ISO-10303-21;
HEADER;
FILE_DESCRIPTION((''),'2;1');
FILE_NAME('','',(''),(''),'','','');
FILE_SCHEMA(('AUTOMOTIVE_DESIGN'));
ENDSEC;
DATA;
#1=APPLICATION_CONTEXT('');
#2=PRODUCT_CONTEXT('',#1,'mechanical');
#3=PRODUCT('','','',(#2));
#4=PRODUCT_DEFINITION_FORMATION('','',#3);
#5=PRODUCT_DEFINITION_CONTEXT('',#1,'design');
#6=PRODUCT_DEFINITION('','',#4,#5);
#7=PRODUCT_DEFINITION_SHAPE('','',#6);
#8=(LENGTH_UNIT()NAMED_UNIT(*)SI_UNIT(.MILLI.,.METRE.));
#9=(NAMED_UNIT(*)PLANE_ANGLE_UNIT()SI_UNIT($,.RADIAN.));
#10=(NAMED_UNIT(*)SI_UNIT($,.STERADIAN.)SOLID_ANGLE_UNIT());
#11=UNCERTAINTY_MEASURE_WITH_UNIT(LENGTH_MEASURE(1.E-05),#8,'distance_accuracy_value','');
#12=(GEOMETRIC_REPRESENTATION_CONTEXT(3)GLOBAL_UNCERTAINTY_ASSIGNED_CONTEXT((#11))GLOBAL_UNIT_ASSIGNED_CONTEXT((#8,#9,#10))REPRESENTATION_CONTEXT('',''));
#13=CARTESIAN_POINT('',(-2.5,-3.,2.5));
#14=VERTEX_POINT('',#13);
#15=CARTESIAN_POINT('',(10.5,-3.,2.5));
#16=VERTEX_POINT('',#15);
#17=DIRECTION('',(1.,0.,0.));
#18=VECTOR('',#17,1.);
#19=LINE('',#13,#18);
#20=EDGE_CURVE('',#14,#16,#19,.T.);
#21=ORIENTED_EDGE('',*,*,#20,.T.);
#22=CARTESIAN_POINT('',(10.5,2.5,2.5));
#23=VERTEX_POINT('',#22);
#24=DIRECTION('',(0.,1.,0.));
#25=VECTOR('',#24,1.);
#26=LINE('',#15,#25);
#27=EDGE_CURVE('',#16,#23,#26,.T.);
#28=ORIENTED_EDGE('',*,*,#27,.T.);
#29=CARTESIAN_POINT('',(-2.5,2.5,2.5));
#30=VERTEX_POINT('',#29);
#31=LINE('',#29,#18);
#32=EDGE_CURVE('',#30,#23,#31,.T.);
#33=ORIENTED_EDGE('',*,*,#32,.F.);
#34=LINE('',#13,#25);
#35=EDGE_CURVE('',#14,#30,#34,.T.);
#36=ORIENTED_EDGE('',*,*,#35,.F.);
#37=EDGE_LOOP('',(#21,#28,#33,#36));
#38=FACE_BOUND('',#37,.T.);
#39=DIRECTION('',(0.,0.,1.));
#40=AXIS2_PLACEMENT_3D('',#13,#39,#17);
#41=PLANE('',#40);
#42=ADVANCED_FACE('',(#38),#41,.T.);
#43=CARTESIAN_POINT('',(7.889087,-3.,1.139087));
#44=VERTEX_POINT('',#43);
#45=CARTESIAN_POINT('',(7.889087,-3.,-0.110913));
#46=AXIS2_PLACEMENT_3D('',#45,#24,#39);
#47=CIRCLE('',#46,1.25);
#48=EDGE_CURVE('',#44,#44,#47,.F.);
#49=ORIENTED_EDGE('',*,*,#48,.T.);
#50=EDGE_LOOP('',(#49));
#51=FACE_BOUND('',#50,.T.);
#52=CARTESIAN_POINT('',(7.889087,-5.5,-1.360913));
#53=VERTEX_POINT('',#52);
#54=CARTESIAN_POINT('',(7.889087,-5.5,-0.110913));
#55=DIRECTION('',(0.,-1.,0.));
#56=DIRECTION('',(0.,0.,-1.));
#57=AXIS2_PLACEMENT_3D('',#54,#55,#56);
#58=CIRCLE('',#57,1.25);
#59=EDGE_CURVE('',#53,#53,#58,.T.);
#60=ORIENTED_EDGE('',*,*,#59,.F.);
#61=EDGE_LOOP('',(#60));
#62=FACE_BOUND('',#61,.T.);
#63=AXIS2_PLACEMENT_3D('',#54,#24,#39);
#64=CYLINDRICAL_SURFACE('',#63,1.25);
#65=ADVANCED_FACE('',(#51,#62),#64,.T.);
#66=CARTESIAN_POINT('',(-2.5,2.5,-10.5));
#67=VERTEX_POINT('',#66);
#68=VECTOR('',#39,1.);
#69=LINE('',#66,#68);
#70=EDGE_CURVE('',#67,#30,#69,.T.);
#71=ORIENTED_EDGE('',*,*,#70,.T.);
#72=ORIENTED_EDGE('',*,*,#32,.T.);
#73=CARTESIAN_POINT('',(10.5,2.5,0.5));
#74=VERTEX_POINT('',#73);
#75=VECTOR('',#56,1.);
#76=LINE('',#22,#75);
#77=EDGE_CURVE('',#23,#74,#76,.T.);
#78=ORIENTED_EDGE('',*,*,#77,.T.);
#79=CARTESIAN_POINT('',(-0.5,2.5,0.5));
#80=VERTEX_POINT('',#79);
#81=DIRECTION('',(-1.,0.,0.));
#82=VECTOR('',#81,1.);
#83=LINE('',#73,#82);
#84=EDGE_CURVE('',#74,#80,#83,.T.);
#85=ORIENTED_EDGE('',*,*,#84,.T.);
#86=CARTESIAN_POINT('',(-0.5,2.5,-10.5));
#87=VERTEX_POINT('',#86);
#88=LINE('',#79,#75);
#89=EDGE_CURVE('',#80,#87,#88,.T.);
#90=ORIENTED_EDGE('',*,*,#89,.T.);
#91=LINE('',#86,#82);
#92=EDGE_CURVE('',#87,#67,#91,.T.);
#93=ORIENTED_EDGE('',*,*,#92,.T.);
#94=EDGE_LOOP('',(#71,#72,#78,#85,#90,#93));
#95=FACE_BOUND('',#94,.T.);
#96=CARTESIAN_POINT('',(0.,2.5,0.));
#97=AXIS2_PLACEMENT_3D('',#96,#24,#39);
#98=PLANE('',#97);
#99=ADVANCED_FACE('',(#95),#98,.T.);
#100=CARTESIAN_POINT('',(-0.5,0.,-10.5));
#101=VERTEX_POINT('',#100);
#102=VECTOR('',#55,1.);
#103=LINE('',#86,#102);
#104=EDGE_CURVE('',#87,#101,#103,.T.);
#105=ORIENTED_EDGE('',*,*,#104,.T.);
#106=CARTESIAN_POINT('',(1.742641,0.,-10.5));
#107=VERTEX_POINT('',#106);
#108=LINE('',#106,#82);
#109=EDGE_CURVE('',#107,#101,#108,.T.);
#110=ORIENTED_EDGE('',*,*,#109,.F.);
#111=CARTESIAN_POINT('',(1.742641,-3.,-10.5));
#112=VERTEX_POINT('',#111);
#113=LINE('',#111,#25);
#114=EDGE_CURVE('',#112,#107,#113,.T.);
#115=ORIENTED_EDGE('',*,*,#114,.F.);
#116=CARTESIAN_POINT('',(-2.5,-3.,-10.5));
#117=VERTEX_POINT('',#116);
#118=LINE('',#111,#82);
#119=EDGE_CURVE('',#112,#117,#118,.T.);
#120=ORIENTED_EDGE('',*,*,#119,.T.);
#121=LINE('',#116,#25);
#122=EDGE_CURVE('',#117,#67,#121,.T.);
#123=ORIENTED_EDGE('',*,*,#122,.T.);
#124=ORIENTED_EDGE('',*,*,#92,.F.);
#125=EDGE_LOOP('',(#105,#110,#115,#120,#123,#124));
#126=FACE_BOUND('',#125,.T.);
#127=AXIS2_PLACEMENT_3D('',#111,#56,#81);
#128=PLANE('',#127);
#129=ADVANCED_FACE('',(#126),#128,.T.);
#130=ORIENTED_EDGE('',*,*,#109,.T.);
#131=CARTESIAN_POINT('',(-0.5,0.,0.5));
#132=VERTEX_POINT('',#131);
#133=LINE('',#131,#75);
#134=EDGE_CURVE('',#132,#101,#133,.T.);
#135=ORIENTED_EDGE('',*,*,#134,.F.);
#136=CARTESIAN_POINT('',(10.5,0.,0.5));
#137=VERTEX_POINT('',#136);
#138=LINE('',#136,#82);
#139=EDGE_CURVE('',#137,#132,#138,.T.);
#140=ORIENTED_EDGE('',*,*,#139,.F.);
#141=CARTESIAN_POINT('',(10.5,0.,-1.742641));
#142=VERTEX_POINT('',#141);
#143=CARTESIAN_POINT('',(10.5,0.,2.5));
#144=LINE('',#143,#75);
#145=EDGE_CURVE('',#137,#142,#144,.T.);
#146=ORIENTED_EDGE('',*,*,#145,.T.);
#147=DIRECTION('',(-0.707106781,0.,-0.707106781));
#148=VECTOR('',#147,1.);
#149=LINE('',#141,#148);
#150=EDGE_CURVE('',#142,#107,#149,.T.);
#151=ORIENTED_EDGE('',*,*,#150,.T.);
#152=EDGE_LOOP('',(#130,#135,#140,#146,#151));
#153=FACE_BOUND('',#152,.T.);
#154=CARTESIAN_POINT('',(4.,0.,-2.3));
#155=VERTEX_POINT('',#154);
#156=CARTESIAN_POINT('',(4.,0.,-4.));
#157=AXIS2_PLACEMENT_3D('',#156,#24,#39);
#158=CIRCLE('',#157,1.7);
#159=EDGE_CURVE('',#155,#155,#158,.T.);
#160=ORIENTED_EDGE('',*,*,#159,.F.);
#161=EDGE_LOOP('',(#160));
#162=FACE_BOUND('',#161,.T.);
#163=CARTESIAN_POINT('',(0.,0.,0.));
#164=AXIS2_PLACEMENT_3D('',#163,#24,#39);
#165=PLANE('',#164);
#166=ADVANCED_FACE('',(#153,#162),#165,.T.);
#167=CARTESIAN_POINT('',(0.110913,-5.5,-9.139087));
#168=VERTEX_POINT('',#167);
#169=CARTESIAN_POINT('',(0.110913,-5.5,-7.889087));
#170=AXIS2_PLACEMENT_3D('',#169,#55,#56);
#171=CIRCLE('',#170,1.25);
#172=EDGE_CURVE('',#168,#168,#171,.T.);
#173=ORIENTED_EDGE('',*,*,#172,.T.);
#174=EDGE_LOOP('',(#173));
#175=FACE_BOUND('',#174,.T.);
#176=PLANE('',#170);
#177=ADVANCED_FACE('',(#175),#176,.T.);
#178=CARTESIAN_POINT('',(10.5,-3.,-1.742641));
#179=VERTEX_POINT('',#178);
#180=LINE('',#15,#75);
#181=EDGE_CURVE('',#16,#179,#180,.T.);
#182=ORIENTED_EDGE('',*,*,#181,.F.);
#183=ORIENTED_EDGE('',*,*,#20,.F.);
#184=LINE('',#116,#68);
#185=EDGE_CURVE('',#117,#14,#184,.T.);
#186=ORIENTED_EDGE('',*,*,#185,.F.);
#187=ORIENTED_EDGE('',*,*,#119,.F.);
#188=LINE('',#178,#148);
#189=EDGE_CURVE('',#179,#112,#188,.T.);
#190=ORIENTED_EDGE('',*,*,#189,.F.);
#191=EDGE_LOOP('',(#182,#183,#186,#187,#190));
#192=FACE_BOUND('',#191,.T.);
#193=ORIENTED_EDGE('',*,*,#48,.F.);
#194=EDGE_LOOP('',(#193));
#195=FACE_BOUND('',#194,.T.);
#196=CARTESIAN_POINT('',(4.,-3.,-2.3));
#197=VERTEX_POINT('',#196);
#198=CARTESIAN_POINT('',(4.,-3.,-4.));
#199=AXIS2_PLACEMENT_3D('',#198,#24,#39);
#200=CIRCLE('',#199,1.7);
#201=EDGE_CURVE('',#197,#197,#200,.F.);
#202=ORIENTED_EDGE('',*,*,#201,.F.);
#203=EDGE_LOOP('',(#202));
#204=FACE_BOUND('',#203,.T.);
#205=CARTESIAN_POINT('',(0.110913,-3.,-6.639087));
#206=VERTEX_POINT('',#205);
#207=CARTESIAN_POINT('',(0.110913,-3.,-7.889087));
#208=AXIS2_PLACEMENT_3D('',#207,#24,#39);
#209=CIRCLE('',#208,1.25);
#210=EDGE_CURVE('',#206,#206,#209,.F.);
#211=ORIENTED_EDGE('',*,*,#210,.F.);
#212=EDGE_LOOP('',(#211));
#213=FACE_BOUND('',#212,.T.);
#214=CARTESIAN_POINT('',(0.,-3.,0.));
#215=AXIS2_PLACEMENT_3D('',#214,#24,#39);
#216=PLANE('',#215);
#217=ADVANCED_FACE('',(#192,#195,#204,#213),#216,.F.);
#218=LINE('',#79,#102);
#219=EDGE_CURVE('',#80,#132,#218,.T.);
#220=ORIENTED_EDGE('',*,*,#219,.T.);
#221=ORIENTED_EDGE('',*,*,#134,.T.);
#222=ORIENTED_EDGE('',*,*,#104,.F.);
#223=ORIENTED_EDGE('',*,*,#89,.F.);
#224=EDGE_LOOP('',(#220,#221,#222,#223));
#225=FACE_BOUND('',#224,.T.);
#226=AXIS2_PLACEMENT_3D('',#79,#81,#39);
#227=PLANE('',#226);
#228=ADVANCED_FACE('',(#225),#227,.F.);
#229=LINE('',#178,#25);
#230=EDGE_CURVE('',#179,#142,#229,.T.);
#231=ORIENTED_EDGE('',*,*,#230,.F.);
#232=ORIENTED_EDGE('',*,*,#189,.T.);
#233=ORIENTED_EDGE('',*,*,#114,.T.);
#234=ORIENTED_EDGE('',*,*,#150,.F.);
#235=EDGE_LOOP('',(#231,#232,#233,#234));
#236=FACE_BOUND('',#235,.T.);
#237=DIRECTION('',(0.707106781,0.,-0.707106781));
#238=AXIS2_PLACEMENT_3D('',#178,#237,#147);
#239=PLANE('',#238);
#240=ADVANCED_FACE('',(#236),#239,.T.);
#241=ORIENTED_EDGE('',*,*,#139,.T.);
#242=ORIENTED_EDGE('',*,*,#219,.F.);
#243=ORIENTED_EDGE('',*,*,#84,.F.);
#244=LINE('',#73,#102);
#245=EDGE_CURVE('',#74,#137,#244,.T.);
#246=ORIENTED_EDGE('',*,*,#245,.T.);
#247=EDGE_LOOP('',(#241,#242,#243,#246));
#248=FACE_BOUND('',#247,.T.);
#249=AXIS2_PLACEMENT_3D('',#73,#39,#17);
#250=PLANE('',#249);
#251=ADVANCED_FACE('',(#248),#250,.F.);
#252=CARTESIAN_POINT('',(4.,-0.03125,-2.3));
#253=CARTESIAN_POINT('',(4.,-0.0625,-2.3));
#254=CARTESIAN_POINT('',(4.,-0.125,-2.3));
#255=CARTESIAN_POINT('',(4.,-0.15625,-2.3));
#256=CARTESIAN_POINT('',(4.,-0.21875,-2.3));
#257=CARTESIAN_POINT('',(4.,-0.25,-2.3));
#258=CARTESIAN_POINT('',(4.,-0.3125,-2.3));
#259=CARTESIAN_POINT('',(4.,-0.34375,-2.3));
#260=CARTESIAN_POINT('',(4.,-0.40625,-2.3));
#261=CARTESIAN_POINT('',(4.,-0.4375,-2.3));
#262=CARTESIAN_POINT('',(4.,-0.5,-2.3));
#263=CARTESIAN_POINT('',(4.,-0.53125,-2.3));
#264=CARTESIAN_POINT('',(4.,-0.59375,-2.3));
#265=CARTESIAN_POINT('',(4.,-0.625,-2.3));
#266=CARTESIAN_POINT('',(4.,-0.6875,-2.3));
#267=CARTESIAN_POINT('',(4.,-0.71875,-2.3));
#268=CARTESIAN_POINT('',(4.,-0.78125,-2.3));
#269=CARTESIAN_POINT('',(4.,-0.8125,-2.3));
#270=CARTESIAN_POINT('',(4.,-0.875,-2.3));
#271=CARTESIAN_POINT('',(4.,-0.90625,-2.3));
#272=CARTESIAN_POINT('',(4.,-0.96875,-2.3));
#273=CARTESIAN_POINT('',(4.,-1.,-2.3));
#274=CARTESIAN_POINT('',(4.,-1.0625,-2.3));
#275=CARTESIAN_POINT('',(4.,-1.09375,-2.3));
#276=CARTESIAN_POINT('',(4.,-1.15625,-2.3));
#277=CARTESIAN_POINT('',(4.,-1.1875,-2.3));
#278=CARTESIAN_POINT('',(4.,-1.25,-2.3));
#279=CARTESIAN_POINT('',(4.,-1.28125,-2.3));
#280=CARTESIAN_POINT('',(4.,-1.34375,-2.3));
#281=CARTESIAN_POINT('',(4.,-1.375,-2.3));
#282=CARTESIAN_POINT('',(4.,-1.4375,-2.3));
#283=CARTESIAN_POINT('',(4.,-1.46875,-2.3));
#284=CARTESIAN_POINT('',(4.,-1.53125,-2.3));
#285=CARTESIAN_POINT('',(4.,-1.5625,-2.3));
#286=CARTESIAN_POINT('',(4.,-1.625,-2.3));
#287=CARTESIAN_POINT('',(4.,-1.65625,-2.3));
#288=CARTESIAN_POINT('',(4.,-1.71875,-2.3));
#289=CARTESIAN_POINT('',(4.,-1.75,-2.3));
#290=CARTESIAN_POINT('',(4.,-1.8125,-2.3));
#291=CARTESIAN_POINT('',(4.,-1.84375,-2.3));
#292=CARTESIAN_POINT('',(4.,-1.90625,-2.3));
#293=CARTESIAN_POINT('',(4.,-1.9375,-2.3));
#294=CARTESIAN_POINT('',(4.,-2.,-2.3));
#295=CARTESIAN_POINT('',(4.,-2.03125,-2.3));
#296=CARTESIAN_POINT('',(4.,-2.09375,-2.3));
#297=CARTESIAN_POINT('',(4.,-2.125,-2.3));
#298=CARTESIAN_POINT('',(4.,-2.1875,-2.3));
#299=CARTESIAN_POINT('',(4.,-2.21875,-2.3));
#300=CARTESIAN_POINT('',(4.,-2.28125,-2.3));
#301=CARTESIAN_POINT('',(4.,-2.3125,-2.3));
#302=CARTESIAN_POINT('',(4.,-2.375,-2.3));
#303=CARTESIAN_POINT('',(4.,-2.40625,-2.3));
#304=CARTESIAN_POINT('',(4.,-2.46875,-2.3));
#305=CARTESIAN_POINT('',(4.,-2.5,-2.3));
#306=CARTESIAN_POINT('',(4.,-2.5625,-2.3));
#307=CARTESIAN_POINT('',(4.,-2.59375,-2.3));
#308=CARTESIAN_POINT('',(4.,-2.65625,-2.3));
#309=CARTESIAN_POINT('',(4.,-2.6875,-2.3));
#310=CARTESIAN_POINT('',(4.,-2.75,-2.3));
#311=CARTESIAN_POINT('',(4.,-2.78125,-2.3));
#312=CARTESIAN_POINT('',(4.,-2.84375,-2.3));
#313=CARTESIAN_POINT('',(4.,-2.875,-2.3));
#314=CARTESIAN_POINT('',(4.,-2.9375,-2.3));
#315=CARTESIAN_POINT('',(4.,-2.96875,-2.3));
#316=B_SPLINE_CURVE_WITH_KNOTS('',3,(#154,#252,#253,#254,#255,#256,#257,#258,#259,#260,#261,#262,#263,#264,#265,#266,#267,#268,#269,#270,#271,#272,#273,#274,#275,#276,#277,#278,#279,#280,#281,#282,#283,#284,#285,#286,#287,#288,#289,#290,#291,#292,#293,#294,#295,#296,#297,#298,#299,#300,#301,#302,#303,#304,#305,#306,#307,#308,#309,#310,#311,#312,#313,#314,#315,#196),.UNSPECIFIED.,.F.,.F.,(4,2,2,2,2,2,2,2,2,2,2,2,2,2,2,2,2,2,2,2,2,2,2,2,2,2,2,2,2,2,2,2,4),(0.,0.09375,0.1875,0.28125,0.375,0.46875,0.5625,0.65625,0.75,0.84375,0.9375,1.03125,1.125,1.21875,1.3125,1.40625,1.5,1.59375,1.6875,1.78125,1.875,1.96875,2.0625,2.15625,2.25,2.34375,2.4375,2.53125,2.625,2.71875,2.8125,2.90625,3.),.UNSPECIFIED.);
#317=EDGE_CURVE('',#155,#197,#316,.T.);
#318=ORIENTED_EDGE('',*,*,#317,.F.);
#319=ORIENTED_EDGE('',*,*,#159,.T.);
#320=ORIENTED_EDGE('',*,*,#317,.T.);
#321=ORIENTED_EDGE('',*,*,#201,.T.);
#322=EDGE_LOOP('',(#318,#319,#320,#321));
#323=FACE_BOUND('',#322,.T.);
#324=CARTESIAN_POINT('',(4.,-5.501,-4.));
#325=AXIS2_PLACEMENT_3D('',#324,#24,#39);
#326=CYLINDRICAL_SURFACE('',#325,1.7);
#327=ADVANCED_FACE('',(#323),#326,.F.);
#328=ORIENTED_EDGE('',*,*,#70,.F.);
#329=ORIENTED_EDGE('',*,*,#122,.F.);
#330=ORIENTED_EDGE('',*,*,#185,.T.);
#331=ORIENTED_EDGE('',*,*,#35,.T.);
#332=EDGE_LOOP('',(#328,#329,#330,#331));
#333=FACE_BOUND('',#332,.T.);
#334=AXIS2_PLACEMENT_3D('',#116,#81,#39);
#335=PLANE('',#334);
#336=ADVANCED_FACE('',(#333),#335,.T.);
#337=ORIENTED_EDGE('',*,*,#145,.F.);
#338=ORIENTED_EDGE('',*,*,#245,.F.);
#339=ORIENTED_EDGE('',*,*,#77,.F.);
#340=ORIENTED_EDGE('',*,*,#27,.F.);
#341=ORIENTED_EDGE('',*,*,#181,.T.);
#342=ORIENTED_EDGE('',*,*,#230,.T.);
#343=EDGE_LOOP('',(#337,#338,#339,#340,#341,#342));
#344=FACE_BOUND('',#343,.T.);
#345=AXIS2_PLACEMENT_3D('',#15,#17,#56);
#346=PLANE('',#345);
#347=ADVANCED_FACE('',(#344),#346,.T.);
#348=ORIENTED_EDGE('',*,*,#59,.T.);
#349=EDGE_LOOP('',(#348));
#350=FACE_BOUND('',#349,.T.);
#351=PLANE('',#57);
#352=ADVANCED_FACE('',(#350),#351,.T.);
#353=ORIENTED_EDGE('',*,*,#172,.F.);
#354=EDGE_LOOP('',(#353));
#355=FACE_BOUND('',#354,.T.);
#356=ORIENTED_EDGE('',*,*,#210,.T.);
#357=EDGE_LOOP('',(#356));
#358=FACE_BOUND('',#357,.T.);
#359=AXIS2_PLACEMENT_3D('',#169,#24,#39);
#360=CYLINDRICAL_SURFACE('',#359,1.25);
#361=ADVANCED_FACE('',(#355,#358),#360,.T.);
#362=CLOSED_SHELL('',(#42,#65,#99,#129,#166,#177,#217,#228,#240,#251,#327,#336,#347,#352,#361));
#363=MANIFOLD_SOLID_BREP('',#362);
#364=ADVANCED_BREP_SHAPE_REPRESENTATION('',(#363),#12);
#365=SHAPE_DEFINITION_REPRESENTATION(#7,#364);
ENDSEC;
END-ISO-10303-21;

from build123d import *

# Parameters (mm, degrees)
BOSS_EXTRUDE2_DEPTH = 3
SKETCH4_R           = 1.25
BOSS_EXTRUDE3_DEPTH = 2.5
BOSS_EXTRUDE4_DEPTH = 2.5
CUT_EXTRUDE1_REACH  = 17.835
SKETCH6_R           = 1.7


with BuildPart() as part:
    # Sketch3 → Boss-Extrude2 (new body)
    with BuildSketch(Plane(origin=(0, 0, 0), x_dir=(1, 0, 0), z_dir=(0, 1, 0))):
        Polygon((-2.5, 10.5), (-2.5, -2.5), (10.5, -2.5), (10.5, 1.742640687), (1.742640687, 10.5), align=None)
    extrude(amount=-BOSS_EXTRUDE2_DEPTH)

    # Sketch4 → Boss-Extrude3 (add)
    with BuildSketch(Plane.XZ.offset(3)):
        with Locations(Location((7.889087297, -0.110912703, 0), (0, 0, 90))):
            Circle(SKETCH4_R)
        with Locations(Location((0.110912703, -7.889087297, 0), (0, 0, 90))):
            Circle(SKETCH4_R)
    extrude(amount=BOSS_EXTRUDE3_DEPTH)

    # Sketch5 → Boss-Extrude4 (add)
    with BuildSketch(Plane(origin=(0, 0, 0), x_dir=(1, 0, 0), z_dir=(0, 1, 0))):
        Polygon((-2.5, 10.5), (-2.5, -2.5), (10.5, -2.5), (10.5, -0.5), (-0.5, -0.5), (-0.5, 10.5), align=None)
    extrude(amount=BOSS_EXTRUDE4_DEPTH)

    # Sketch6 → Cut-Extrude1 (cut, up to next)
    with BuildSketch(Plane(origin=(0, 0, 0), x_dir=(1, 0, 0), z_dir=(0, 1, 0)), mode=Mode.PRIVATE) as cut_extrude1_sk1:
        with Locations(Location((4, 4, 0), (0, 0, 270))):
            Circle(SKETCH6_R)
    cut_extrude1_tool1 = extrude(cut_extrude1_sk1.sketch, amount=-CUT_EXTRUDE1_REACH, mode=Mode.PRIVATE) & part.part
    add(cut_extrude1_tool1.solids().sort_by_distance((4, 0, -4))[0], mode=Mode.SUBTRACT)


solid = part.part
